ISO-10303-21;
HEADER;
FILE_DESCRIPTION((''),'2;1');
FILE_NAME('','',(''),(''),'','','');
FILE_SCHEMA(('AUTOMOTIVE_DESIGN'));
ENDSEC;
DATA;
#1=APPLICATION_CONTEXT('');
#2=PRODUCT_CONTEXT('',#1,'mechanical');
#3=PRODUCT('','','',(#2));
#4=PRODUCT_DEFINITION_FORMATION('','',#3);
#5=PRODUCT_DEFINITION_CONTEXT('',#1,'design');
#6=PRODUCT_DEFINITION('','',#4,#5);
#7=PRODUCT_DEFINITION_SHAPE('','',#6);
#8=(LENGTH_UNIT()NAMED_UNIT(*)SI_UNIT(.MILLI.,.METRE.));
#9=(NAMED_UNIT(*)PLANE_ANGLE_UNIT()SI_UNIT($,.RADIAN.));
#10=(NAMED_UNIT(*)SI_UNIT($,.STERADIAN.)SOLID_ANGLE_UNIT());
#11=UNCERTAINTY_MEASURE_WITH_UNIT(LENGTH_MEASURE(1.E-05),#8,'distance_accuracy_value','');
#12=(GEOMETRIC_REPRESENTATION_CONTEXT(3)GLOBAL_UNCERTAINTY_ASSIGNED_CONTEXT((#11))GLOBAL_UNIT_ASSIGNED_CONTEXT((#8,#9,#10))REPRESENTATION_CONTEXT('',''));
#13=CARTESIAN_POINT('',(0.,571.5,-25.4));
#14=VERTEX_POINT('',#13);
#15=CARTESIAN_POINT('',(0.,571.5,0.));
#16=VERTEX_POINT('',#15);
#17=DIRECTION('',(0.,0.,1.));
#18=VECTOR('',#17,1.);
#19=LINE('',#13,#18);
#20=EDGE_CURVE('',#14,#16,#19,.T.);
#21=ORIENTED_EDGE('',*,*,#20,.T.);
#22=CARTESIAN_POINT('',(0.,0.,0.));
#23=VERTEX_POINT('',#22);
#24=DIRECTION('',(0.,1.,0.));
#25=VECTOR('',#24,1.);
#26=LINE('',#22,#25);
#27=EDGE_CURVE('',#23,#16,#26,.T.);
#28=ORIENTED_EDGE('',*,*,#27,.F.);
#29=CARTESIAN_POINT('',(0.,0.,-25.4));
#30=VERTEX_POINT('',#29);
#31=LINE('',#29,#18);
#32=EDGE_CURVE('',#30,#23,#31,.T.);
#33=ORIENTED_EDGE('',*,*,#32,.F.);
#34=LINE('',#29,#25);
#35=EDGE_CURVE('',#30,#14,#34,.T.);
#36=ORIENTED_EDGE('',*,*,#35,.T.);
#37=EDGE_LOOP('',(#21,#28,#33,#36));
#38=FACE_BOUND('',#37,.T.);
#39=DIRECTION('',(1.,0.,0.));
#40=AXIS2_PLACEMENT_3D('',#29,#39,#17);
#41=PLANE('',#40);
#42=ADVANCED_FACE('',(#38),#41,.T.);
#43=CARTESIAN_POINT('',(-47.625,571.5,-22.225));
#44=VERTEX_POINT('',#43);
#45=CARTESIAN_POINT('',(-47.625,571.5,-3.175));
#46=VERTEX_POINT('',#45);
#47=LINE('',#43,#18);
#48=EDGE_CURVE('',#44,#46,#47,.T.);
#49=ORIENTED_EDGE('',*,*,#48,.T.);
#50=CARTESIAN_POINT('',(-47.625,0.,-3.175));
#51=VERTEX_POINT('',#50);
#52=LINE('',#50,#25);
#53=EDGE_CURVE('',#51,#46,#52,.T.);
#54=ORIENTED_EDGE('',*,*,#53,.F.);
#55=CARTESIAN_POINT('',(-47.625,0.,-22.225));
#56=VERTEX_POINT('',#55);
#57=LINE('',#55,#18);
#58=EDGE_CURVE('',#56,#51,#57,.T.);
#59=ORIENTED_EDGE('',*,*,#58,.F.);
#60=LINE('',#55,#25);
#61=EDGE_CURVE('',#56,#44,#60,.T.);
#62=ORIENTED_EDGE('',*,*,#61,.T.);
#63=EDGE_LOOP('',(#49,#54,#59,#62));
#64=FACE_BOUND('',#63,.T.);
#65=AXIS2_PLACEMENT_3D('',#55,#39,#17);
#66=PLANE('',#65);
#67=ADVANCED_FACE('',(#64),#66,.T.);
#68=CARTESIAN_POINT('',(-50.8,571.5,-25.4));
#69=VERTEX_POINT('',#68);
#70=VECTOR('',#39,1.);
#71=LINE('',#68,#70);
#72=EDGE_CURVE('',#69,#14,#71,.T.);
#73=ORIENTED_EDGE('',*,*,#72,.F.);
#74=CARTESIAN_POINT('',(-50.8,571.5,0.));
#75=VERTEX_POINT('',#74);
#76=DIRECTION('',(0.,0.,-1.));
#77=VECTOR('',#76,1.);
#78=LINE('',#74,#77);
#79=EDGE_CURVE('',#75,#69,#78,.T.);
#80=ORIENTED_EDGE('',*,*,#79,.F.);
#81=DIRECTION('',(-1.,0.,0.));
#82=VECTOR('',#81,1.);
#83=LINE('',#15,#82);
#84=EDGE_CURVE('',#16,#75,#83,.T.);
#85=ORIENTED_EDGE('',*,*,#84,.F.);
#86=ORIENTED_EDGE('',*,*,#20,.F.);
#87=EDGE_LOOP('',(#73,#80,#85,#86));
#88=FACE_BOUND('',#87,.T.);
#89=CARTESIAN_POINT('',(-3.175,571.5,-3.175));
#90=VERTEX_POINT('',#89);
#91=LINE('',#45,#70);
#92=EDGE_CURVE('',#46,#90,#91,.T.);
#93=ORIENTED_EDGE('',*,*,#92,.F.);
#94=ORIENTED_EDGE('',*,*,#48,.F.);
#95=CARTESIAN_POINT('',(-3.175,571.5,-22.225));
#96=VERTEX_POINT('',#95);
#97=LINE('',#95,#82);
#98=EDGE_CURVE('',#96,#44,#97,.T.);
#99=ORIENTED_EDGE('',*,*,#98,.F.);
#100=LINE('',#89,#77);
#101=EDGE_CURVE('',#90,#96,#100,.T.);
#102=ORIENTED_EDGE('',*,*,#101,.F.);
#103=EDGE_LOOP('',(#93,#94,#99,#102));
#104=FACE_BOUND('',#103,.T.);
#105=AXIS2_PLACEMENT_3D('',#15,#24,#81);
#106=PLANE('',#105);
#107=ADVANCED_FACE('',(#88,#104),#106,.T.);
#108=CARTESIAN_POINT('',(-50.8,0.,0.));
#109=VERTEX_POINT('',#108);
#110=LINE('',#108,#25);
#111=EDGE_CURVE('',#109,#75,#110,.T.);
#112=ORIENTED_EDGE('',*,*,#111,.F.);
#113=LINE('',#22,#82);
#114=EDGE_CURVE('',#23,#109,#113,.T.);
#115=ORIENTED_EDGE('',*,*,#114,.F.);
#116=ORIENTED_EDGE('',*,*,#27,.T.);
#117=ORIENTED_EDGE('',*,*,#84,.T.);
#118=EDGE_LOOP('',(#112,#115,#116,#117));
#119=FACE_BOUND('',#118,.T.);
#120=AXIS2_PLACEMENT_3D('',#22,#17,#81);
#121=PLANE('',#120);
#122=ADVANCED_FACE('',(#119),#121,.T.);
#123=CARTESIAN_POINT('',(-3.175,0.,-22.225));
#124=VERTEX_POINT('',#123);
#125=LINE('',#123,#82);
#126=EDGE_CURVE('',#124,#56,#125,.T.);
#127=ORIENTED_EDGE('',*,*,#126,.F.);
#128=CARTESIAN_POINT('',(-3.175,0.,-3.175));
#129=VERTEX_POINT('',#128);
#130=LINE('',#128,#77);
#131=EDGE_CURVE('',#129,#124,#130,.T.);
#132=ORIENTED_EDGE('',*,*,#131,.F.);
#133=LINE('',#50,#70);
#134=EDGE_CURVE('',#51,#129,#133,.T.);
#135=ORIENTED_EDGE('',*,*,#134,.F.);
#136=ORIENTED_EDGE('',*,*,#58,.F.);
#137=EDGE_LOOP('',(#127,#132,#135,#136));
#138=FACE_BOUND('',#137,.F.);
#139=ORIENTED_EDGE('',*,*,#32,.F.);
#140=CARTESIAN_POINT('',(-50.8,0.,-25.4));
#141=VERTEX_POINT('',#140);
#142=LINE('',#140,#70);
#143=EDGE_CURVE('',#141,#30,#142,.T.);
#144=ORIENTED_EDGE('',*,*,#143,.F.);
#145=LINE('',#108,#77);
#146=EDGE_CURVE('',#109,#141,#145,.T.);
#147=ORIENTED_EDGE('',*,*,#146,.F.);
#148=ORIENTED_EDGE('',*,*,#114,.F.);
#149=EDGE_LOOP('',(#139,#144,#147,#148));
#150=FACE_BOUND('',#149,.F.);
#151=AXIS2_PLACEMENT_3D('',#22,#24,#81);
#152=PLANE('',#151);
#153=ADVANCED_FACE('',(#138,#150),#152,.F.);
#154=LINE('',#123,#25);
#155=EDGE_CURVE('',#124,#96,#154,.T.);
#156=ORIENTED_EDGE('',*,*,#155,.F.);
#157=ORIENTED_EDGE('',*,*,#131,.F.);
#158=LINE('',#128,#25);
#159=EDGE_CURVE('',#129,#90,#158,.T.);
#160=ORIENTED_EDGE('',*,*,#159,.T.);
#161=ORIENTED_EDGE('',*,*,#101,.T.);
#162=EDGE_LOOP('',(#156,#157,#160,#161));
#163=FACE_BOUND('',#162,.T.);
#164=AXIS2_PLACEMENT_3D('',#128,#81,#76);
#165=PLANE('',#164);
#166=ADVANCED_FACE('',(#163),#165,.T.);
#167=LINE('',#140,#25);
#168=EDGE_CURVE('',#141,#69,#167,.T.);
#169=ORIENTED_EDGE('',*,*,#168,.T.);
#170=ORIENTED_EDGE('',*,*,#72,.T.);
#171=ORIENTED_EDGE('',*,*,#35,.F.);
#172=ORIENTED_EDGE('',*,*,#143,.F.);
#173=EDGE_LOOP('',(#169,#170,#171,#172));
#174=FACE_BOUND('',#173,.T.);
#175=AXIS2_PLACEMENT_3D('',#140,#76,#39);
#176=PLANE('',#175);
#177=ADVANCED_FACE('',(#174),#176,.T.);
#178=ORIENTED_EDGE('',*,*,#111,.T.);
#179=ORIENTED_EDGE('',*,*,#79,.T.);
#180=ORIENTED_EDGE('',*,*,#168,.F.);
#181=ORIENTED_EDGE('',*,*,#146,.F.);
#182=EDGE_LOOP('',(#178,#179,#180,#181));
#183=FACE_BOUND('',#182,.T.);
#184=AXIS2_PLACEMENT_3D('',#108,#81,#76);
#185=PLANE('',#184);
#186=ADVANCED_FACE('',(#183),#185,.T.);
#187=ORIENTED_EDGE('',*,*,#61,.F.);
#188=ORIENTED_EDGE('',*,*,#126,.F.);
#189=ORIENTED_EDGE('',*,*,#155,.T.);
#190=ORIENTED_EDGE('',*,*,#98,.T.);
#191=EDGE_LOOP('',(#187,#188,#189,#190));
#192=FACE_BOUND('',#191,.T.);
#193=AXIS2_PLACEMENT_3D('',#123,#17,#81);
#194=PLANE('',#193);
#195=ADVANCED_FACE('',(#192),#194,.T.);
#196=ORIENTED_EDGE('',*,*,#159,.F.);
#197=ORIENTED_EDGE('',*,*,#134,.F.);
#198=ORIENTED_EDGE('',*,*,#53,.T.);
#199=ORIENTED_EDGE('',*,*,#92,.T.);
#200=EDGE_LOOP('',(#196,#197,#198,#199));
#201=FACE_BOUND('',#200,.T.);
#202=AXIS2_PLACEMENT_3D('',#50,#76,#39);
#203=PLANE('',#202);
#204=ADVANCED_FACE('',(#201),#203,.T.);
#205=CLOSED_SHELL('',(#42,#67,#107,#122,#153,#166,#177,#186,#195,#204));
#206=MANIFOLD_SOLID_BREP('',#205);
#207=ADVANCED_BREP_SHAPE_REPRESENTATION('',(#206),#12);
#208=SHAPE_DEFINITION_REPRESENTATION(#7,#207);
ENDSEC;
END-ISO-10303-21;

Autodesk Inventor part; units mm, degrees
ref_plane "YZ Plane" through (0, 0, 0) normal (1, 0, 0) x (0, 1, 0)
ref_plane "XZ Plane" through (0, 0, 0) normal (0, 1, 0) x (-1, 0, 0)
ref_plane "XY Plane" through (0, 0, 0) normal (0, 0, 1) x (1, 0, 0)
sketch "Sketch1" plane through (0, 0, 0) normal (0, 1, 0) x (-1, 0, 0)
  line L0 (0, 0) -> (50.8, 0)
  line L1 (50.8, 0) -> (50.8, -25.4)
  line L2 (50.8, -25.4) -> (0, -25.4)
  line L3 (0, -25.4) -> (0, 0)
  line L4 (47.625, -22.225) -> (47.625, -3.175)
  line L5 (47.625, -3.175) -> (3.175, -3.175)
  line L6 (3.175, -3.175) -> (3.175, -22.225)
  line L7 (3.175, -22.225) -> (47.625, -22.225)
  dimension "d0" = 25.4
  dimension "d1" = 50.8
  dimension "d2" = 3.175
extrude "Extrusion1" add sketch "Sketch1" along normal blind 571.5
sketch "Sketch2" plane through (-50.8, 0, 0) normal (0, 0, 1) x (1, 0, 0)
  line L0 (0, 0) -> (0, 571.5) projected
  line L1 (50.8, 0) -> (0, 0) projected
  line L2 (0, 571.5) -> (50.8, 571.5) projected
  point P0 (25.4, 25.4)
  point P1 (25.4, 546.1)
  dimension "d5" = 25.4
  dimension "d6" = 25.4
  dimension "d7" = 25.4
  dimension "d8" = 25.4
properties part number "LiftBase-1111-2020"
